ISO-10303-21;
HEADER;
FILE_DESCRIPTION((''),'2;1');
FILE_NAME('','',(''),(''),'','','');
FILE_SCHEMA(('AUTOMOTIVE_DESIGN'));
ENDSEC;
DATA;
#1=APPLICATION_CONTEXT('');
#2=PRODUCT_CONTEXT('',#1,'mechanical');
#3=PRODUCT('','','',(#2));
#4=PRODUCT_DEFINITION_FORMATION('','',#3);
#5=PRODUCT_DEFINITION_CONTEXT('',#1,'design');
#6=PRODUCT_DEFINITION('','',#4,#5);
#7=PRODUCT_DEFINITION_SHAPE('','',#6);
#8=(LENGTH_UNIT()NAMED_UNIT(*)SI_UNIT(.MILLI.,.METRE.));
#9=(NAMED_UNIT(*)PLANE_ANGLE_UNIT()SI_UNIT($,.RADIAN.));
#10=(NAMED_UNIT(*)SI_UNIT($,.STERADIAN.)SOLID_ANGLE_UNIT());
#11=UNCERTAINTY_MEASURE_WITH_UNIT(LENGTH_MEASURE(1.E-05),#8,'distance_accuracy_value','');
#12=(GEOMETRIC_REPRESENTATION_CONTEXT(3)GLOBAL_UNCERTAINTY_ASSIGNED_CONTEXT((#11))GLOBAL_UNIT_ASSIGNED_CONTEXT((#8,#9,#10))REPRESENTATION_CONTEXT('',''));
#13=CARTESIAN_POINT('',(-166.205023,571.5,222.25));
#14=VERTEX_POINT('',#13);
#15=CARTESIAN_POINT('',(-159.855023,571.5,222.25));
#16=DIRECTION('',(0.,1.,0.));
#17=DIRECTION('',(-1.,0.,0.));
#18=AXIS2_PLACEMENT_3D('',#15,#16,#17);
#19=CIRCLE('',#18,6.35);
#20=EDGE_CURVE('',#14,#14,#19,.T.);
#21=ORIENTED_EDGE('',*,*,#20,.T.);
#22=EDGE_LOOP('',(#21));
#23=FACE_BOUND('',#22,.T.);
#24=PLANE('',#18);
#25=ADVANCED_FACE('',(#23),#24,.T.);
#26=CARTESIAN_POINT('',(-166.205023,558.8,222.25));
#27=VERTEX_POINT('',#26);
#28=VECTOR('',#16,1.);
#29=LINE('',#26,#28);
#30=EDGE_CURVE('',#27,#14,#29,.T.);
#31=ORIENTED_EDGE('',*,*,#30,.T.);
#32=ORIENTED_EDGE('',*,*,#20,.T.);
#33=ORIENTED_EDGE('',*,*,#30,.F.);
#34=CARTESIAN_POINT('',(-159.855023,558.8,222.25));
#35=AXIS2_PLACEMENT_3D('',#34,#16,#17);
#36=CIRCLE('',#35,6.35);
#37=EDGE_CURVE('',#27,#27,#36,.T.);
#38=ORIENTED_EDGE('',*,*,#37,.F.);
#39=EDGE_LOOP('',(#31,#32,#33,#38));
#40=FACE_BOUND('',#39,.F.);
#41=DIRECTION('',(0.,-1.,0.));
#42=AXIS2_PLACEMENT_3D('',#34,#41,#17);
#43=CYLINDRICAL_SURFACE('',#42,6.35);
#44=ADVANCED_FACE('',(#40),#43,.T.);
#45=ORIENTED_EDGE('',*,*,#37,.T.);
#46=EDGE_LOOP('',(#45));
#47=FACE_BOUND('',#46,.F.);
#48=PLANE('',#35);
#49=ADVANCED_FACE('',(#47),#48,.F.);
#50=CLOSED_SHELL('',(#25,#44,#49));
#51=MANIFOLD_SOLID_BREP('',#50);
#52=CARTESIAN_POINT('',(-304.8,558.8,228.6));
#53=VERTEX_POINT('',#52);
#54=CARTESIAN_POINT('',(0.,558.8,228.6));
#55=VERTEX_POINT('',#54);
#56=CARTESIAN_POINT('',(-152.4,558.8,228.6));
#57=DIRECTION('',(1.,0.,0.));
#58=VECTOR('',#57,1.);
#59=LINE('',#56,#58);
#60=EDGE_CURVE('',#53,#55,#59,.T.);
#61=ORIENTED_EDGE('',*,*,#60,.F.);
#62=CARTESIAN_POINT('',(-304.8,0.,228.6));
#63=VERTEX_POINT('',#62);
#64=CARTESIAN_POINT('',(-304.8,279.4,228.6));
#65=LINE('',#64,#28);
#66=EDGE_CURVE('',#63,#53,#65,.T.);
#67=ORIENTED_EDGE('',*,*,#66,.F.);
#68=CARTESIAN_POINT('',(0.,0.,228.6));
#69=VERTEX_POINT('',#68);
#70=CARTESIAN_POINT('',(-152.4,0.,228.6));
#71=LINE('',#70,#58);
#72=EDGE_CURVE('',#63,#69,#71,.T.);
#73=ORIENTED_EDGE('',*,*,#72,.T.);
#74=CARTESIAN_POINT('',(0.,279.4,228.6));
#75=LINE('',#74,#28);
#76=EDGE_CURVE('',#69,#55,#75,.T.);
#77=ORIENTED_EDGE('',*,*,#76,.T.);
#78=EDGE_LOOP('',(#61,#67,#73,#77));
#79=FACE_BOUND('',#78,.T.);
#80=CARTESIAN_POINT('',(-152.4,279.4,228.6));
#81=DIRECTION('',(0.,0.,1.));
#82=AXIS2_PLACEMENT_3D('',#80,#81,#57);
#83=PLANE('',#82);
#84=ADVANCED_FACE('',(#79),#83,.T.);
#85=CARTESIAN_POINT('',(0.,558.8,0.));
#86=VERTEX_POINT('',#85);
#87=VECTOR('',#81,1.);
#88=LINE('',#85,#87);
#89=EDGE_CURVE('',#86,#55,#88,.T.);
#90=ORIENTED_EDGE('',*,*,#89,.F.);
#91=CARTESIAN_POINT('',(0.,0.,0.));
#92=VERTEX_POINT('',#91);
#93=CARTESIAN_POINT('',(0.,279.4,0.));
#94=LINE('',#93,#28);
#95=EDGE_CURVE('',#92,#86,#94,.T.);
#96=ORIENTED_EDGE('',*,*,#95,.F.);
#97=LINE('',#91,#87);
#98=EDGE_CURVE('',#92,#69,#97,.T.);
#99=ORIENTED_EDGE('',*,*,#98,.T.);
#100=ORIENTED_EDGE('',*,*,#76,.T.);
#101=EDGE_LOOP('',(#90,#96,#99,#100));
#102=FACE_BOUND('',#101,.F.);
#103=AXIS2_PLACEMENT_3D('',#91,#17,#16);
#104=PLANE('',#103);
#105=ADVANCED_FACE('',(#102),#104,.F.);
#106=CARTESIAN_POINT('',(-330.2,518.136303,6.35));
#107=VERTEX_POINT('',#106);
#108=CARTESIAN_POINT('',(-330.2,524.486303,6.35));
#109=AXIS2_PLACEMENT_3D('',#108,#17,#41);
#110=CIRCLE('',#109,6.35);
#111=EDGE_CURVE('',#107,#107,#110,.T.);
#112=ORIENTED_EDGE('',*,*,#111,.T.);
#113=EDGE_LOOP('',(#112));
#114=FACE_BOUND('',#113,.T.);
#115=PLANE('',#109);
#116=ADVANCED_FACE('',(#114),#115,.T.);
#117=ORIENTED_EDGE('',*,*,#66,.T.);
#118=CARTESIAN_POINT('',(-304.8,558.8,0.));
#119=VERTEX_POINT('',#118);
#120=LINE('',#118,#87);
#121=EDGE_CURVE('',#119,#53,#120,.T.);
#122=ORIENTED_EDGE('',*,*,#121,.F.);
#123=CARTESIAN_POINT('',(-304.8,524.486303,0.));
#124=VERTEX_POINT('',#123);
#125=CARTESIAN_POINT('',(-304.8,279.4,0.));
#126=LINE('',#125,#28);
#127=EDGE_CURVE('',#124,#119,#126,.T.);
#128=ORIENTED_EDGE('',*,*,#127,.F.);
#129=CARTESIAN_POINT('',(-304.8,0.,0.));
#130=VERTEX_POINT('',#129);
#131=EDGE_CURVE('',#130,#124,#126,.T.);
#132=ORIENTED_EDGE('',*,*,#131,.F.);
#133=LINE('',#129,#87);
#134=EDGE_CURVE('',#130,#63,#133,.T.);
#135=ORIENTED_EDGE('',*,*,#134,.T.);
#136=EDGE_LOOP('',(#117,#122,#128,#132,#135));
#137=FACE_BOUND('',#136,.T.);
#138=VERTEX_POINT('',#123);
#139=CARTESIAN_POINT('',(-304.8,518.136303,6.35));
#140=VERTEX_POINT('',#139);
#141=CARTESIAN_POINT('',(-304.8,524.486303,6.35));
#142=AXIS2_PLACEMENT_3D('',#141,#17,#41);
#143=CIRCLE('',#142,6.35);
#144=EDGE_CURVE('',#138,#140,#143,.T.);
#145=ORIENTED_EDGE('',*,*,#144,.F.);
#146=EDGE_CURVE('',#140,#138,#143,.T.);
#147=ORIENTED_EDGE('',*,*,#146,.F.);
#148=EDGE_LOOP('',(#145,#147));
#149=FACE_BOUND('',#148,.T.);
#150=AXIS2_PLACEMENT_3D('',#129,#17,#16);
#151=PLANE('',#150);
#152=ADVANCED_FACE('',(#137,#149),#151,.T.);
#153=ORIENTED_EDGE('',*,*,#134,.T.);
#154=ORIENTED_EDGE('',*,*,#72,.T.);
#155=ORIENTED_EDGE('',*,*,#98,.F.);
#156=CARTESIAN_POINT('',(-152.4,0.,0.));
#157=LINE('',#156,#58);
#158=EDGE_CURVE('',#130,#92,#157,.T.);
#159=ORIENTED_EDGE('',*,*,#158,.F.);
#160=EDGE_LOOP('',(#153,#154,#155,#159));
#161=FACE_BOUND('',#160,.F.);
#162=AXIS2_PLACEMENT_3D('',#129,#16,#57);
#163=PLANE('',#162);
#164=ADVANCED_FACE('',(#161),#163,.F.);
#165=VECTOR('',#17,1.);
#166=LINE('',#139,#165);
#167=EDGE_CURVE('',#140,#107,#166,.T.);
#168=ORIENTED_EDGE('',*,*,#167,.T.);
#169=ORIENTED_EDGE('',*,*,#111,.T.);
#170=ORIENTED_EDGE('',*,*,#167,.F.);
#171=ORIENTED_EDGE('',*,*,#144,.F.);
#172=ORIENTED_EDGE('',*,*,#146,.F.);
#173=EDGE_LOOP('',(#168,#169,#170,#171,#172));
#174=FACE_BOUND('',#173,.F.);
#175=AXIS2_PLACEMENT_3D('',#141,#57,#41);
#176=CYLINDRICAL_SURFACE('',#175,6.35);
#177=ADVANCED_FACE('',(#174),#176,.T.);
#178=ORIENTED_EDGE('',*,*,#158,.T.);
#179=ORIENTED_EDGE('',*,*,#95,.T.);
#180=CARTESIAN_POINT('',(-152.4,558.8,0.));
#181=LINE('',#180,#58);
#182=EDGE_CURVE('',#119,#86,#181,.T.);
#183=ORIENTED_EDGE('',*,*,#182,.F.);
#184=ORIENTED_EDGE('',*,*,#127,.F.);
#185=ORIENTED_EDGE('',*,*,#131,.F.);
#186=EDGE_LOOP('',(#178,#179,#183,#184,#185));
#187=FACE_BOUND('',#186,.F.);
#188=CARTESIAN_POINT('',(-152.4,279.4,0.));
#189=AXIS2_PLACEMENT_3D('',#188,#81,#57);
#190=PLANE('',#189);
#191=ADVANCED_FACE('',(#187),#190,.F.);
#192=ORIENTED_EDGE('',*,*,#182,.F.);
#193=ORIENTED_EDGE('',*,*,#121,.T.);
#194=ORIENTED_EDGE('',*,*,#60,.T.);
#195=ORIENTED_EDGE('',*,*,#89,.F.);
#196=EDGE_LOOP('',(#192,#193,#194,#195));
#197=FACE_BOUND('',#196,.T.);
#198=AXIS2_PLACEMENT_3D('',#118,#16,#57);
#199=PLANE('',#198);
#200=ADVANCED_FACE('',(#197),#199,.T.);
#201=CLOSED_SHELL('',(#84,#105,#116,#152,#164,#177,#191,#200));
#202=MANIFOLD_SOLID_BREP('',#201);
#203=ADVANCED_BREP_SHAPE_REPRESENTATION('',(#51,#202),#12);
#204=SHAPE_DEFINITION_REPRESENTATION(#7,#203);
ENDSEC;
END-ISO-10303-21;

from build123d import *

# Parameters (mm, degrees)
F0_W     = 304.8
F0_H     = 558.8
F1_DEPTH = 228.6
F2_R     = 6.35
F3_DEPTH = 25.4
F4_R     = 6.35
F5_DEPTH = 12.7


with BuildPart() as f1:
    # F0 (on Top) → F1 (new body)
    with BuildSketch(Plane.XY):
        with Locations((-152.4, 279.4)):
            Rectangle(F0_W, F0_H)
    extrude(amount=F1_DEPTH)

    # F2 (on face) → F3 (join)
    with BuildSketch(Plane(origin=(-304.8, 0, 0), x_dir=(0, -1, 0), z_dir=(-1, 0, 0))):
        with Locations((-524.486303, 6.35)):
            Circle(F2_R)
    extrude(amount=F3_DEPTH)


with BuildPart() as f5:
    # F4 (on face) → F5 (new body)
    with BuildSketch(Plane(origin=(0, 558.8, 0), x_dir=(-1, 0, 0), z_dir=(0, 1, 0))):
        with Locations((159.855023, 222.25)):
            Circle(F4_R)
    extrude(amount=F5_DEPTH)


solid = Compound([f1.part, f5.part])
